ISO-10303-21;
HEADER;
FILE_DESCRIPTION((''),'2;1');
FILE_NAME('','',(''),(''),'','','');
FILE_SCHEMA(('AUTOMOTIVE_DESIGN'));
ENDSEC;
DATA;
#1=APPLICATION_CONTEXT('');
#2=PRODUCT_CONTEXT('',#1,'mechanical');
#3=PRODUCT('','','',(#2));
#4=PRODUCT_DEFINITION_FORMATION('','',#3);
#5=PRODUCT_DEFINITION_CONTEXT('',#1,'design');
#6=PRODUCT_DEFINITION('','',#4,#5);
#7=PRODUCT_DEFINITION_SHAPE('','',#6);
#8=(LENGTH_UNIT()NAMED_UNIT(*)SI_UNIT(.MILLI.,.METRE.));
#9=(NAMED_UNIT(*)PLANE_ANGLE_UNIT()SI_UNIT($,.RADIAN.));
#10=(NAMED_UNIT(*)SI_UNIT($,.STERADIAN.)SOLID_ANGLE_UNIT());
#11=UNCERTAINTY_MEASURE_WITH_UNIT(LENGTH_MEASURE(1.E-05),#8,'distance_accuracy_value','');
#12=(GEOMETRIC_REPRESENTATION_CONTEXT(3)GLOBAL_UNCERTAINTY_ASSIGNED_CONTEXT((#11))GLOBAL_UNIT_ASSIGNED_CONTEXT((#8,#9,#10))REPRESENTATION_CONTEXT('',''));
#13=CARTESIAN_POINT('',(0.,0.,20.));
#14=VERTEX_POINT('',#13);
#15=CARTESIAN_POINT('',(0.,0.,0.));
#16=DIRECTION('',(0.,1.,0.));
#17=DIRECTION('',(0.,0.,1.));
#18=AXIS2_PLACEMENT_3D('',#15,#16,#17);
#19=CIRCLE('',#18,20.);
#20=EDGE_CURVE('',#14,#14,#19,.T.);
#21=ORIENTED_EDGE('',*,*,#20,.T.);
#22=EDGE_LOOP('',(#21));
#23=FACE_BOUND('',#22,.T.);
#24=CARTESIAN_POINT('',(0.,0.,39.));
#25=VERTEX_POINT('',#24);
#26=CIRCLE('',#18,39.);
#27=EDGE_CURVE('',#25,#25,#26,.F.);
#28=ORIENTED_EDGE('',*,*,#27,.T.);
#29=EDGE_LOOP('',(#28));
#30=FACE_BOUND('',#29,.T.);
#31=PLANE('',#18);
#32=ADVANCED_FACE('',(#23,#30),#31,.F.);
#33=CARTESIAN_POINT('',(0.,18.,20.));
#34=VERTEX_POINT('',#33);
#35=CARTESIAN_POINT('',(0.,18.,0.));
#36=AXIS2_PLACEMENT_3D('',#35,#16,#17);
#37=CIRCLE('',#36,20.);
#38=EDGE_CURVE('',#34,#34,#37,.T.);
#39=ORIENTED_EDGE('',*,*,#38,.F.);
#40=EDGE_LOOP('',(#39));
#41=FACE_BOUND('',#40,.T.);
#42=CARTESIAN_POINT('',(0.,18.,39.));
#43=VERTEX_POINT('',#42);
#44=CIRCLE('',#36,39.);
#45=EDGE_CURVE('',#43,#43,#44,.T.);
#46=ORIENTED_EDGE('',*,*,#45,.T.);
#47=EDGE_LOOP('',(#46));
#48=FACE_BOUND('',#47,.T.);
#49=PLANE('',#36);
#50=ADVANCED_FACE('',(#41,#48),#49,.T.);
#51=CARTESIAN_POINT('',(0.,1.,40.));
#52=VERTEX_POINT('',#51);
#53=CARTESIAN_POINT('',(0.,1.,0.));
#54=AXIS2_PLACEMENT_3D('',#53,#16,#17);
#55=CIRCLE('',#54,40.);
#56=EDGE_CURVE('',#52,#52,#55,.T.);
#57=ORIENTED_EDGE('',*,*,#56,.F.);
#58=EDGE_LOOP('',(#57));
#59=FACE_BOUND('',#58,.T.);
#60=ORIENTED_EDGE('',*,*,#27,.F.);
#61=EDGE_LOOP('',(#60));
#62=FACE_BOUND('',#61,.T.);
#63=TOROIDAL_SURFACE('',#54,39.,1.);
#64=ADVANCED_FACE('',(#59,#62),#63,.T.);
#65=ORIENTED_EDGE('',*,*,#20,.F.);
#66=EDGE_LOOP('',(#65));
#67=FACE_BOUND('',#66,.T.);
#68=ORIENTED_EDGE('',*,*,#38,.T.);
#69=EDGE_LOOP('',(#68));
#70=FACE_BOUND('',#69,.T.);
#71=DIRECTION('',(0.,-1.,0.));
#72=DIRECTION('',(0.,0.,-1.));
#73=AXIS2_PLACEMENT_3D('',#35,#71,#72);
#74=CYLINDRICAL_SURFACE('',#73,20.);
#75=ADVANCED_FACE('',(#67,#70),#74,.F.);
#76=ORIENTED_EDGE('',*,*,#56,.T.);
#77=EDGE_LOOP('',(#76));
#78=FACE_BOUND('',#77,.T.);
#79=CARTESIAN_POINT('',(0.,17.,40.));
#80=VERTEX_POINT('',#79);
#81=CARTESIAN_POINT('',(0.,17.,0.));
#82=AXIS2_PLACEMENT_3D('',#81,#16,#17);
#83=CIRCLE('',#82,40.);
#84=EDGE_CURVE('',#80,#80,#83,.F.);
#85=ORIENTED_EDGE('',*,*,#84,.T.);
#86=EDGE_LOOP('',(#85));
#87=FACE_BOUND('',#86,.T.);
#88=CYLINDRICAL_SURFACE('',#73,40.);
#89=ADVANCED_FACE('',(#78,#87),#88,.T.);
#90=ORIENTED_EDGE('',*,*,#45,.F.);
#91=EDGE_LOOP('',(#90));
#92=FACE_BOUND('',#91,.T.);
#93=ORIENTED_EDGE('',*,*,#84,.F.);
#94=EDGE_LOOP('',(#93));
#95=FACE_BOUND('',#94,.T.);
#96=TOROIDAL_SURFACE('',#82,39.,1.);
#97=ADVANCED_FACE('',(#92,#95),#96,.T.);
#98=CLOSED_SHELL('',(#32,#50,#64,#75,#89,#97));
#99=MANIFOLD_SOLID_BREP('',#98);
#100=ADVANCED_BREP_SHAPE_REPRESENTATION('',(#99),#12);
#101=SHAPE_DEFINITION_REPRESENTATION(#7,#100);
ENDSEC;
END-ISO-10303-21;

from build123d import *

# Parameters (mm, degrees)
SKETCH1_R           = 40
SKETCH1_R_2         = 20
BOSS_EXTRUDE1_DEPTH = 18
FILLET1_R           = 1


with BuildPart() as part:
    # Sketch1 → Boss-Extrude1 (new body)
    with BuildSketch(Plane(origin=(0, 0, 0), x_dir=(1, 0, 0), z_dir=(0, 1, 0))):
        Circle(SKETCH1_R)
        Circle(SKETCH1_R_2, mode=Mode.SUBTRACT)
    extrude(amount=BOSS_EXTRUDE1_DEPTH)

    # Fillet1
    fillet1_edges = [part.edges().sort_by_distance(p)[0] for p in [
        (-40, 0, 0),
        (-40, 18, 0),
    ]]
    fillet(fillet1_edges, radius=FILLET1_R)


solid = part.part
